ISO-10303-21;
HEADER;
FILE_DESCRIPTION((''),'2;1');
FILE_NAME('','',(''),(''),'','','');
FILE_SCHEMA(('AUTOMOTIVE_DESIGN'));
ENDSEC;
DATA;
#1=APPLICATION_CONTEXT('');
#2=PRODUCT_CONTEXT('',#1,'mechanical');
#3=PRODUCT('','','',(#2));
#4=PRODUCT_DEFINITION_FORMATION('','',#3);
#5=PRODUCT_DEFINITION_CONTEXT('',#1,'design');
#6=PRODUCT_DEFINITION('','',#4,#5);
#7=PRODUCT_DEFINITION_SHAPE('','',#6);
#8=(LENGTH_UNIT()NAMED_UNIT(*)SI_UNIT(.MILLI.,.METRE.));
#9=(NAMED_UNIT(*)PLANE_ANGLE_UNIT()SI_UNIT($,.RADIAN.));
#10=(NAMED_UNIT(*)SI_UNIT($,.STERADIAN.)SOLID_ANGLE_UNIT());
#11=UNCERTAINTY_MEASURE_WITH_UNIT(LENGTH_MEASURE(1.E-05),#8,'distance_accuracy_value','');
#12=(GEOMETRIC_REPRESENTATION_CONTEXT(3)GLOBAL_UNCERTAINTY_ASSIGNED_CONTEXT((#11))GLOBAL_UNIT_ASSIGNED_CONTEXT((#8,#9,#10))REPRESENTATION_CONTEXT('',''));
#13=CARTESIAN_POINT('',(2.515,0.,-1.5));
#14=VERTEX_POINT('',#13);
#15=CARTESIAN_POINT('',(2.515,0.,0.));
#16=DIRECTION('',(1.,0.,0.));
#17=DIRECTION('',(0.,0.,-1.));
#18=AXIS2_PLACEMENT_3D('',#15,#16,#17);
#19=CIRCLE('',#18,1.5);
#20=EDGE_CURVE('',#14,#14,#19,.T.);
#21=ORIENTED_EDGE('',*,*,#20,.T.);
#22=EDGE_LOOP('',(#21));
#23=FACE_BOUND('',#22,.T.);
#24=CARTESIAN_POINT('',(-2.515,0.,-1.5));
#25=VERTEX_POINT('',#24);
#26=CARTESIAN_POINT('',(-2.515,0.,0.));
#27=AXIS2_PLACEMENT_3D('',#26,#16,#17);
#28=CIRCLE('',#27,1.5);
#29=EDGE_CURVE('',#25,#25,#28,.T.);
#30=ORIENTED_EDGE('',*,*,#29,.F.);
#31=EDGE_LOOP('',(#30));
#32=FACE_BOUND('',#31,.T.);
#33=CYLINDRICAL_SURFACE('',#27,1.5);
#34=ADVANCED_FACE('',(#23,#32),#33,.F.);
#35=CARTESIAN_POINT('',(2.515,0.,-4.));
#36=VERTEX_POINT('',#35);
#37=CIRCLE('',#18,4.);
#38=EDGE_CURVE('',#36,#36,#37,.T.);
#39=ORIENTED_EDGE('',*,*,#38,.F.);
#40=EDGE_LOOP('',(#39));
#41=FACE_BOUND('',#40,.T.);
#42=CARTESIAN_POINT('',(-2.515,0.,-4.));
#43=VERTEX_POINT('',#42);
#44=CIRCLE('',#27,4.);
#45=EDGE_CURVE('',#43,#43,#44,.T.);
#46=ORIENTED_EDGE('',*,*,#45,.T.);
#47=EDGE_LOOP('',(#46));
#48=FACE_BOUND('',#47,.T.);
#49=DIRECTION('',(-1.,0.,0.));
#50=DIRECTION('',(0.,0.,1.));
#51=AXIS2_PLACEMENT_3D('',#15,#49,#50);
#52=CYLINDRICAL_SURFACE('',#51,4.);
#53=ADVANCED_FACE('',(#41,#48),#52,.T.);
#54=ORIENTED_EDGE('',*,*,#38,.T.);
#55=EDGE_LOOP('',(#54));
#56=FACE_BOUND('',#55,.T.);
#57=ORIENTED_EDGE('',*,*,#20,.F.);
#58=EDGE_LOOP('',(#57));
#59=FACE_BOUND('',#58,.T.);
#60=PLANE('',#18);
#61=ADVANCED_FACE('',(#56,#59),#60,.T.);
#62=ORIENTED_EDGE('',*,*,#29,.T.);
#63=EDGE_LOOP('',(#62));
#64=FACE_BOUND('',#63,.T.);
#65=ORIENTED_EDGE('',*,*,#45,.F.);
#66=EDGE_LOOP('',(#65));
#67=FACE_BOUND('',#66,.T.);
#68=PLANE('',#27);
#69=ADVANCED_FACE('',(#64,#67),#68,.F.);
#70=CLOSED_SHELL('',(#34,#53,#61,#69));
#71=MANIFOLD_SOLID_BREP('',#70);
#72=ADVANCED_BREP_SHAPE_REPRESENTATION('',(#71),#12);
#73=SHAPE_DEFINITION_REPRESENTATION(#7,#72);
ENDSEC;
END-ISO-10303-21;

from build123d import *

# Parameters (mm, degrees)
SKETCH1_R      = 4
EXTRUDE1_DEPTH = 2.515
SKETCH2_R      = 1.5
EXTRUDE2_DEPTH = 6.03


with BuildPart() as part:
    # Sketch1 → Extrude1 (new body, symmetric)
    with BuildSketch(Plane(origin=(0, 0, 0), x_dir=(0, 0, -1), z_dir=(1, 0, 0))):
        Circle(SKETCH1_R)
    extrude(amount=EXTRUDE1_DEPTH, both=True)

    # Sketch2 → Extrude2 (cut, through all)
    with BuildSketch(Plane(origin=(2.515, 0, 0), x_dir=(0, 0, -1), z_dir=(1, 0, 0))):
        Circle(SKETCH2_R)
    extrude(amount=-EXTRUDE2_DEPTH, mode=Mode.SUBTRACT)


solid = part.part
